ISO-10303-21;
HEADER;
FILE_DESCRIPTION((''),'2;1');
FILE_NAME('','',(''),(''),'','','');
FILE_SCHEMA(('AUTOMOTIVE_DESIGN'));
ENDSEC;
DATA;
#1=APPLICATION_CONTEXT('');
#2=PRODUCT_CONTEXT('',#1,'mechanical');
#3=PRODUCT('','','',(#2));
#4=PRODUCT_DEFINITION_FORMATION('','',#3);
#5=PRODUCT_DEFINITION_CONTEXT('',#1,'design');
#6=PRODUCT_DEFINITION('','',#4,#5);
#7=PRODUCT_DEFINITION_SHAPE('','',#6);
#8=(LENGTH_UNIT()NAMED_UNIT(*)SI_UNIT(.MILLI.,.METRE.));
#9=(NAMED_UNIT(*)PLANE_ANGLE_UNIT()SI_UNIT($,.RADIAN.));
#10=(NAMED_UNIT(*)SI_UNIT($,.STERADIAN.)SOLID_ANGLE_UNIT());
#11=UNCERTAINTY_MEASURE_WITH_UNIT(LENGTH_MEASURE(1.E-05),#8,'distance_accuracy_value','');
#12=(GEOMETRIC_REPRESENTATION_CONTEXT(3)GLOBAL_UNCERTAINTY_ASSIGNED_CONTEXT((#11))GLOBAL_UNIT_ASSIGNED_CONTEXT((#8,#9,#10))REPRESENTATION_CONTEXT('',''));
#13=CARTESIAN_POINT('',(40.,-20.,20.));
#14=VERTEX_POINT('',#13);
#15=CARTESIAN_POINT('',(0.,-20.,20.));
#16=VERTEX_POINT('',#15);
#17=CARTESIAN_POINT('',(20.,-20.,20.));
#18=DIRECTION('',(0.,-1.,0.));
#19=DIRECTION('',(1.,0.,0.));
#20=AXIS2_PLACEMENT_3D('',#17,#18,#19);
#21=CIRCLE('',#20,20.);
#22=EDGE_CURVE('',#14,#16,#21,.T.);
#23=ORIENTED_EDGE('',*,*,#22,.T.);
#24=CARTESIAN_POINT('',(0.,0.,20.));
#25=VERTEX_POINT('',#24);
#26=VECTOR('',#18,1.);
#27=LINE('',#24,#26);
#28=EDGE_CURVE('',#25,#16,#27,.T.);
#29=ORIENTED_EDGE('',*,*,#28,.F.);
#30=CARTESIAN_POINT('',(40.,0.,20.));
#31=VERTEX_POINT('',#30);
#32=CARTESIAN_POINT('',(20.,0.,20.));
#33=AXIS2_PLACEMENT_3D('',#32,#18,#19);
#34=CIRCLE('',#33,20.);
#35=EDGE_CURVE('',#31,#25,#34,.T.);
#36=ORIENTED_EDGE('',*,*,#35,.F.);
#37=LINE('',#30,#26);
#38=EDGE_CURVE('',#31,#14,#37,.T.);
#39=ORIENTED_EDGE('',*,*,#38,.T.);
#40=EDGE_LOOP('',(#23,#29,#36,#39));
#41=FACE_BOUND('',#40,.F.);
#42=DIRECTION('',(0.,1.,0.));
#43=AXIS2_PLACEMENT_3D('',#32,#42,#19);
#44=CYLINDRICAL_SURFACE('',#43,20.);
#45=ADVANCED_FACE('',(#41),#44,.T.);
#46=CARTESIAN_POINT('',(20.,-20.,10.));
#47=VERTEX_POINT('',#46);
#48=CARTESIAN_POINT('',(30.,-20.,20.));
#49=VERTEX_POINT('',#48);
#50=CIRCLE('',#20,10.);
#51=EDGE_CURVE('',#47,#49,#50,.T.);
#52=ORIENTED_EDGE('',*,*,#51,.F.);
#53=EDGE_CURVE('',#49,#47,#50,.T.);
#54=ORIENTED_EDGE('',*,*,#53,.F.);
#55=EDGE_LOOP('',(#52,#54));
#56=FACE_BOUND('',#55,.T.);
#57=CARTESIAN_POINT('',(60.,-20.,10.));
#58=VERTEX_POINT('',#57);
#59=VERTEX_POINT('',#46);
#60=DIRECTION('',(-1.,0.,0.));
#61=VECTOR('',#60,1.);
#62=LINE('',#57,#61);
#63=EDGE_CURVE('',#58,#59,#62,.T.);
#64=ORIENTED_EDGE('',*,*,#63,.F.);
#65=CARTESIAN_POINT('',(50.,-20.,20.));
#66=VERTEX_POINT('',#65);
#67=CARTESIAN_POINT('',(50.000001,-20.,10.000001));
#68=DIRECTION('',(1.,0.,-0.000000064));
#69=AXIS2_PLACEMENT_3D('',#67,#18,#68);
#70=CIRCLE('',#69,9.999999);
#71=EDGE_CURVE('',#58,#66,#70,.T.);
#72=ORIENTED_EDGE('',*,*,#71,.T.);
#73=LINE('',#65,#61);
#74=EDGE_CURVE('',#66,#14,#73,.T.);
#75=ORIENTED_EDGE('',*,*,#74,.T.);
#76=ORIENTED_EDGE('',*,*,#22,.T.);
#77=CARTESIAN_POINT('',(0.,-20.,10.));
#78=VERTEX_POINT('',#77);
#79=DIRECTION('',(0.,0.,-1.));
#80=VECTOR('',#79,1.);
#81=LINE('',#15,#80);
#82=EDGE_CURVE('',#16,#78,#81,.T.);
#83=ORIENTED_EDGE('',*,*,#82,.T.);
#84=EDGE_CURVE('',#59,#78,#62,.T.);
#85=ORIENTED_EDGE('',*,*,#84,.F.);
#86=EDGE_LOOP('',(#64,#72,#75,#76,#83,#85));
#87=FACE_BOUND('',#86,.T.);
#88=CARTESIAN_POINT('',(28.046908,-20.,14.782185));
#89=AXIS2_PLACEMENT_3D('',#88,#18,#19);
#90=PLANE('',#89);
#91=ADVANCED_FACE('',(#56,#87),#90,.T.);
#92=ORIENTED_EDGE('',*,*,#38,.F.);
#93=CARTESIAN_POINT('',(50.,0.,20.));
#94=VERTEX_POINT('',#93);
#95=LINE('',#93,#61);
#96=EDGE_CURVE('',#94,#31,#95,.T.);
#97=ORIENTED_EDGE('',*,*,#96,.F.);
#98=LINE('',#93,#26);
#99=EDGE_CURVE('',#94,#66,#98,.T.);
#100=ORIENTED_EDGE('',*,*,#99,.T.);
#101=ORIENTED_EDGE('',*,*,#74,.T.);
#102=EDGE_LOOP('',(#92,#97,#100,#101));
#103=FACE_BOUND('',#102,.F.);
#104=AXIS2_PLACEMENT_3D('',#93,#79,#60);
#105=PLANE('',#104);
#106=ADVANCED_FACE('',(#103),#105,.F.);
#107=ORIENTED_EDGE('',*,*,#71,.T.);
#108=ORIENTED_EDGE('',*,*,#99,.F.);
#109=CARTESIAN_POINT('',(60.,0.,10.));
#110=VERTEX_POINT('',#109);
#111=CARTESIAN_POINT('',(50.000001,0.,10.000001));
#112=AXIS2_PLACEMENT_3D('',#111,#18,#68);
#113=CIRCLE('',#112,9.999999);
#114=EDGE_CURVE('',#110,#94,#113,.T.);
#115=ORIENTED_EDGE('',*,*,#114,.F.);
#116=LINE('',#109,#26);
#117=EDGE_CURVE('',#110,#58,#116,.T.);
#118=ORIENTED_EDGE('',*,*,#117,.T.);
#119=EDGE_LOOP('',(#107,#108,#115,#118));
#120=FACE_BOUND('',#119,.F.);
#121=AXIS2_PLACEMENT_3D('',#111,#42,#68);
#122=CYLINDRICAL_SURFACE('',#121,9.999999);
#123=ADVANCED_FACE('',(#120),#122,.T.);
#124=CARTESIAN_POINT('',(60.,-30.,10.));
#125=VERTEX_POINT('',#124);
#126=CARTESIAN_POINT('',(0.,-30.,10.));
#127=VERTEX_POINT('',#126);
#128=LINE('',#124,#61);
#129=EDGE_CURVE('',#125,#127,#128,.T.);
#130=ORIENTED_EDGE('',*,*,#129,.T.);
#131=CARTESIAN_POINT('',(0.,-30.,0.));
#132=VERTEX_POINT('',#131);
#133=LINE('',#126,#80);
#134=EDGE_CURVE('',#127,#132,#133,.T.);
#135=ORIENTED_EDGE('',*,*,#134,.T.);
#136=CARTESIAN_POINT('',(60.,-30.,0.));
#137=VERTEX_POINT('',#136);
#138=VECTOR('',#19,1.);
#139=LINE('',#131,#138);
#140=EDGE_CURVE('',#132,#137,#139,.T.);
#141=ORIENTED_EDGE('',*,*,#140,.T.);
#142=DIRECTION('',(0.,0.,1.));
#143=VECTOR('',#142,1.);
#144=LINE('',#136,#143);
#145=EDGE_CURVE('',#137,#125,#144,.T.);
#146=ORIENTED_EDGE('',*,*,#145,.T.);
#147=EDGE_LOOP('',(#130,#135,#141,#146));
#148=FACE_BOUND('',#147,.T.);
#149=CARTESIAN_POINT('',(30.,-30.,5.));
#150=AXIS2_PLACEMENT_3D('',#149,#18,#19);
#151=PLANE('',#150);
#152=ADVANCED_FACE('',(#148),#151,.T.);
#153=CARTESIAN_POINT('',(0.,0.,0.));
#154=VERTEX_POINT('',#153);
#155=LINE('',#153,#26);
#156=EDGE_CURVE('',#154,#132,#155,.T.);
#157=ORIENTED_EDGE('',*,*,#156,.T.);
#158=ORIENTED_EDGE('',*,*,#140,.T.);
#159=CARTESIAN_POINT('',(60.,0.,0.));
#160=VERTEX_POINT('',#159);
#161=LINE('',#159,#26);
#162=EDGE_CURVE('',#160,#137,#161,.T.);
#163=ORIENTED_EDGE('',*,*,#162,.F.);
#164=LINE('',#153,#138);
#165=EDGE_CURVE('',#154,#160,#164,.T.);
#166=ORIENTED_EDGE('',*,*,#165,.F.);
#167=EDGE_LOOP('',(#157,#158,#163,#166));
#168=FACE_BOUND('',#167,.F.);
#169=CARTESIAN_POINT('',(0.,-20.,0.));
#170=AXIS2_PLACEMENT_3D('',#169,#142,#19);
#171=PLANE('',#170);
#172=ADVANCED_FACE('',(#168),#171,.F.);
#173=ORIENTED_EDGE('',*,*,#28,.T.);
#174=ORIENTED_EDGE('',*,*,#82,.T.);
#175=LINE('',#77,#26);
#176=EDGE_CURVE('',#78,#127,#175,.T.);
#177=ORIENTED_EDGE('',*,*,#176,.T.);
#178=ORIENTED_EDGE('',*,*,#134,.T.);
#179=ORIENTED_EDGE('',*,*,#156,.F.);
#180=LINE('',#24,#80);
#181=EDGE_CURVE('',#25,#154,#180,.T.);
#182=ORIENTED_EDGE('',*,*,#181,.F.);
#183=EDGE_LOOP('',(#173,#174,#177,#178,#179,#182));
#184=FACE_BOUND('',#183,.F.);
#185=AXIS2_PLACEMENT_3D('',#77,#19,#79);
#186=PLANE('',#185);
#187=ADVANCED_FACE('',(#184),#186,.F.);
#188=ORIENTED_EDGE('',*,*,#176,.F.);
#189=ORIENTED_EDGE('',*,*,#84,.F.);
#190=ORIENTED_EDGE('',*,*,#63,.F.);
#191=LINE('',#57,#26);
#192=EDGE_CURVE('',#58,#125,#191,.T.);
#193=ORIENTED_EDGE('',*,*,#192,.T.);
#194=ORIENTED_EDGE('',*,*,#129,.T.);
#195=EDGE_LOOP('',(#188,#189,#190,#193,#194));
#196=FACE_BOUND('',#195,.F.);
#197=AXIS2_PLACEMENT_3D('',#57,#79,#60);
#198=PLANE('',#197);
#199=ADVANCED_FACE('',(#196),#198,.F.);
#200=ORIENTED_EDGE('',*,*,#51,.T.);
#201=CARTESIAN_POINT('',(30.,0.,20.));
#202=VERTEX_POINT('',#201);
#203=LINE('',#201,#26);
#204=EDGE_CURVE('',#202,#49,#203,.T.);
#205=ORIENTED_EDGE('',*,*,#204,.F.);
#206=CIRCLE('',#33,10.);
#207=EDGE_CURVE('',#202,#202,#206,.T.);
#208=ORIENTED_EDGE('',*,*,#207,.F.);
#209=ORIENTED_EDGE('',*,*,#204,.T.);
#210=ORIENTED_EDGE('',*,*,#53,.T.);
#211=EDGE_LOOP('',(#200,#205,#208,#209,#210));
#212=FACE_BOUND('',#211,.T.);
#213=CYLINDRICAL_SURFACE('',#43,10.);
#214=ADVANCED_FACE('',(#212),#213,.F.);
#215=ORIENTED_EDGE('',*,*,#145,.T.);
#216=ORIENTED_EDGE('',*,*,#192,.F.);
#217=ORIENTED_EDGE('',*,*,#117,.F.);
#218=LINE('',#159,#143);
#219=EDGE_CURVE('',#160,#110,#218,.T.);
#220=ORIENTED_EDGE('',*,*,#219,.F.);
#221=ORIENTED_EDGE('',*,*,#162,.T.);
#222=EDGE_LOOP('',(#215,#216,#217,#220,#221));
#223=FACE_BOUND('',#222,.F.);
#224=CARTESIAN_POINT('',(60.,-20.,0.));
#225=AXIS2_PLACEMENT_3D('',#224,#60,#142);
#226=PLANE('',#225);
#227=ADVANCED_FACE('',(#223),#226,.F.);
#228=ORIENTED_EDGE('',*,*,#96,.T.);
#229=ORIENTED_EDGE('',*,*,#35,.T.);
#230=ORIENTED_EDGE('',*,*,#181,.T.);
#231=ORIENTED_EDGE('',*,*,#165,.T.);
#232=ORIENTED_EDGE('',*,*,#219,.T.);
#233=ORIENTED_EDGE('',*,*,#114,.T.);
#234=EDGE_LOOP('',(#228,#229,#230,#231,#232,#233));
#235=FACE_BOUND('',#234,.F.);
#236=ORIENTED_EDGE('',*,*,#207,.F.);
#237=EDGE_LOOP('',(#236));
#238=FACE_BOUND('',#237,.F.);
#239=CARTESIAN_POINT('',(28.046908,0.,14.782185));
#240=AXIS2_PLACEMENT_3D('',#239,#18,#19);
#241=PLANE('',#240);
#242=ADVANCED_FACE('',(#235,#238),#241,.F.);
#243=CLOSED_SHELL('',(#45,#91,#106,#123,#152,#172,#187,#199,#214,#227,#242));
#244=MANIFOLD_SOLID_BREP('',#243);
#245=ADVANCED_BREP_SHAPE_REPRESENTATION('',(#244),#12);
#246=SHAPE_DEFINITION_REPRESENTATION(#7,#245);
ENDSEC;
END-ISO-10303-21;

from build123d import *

# Parameters (mm, degrees)
F0_R     = 10
F1_DEPTH = 20
F3_DEPTH = 10


with BuildPart() as f1:
    # F0 (on Front) → F1 (new body)
    with BuildSketch(Plane.XZ):
        with BuildLine():
            Line((0, 20), (0, 0))
            Line((0, 0), (60, 0))
            Line((60, 0), (60, 10))
            ThreePointArc((60, 10), (57.071068, 17.071068), (50, 20))
            Line((50, 20), (40, 20))
            ThreePointArc((40, 20), (20, 40), (0, 20))
        make_face()
        with Locations((20, 20)):
            Circle(F0_R, mode=Mode.SUBTRACT)
    extrude(amount=F1_DEPTH)

    # F2 (on face) → F3 (join)
    with BuildSketch(Plane.XZ.offset(20)):
        Polygon((0, 10), (0, 0), (60, 0), (60, 10), (20, 10), align=None)
    extrude(amount=F3_DEPTH)


solid = f1.part
